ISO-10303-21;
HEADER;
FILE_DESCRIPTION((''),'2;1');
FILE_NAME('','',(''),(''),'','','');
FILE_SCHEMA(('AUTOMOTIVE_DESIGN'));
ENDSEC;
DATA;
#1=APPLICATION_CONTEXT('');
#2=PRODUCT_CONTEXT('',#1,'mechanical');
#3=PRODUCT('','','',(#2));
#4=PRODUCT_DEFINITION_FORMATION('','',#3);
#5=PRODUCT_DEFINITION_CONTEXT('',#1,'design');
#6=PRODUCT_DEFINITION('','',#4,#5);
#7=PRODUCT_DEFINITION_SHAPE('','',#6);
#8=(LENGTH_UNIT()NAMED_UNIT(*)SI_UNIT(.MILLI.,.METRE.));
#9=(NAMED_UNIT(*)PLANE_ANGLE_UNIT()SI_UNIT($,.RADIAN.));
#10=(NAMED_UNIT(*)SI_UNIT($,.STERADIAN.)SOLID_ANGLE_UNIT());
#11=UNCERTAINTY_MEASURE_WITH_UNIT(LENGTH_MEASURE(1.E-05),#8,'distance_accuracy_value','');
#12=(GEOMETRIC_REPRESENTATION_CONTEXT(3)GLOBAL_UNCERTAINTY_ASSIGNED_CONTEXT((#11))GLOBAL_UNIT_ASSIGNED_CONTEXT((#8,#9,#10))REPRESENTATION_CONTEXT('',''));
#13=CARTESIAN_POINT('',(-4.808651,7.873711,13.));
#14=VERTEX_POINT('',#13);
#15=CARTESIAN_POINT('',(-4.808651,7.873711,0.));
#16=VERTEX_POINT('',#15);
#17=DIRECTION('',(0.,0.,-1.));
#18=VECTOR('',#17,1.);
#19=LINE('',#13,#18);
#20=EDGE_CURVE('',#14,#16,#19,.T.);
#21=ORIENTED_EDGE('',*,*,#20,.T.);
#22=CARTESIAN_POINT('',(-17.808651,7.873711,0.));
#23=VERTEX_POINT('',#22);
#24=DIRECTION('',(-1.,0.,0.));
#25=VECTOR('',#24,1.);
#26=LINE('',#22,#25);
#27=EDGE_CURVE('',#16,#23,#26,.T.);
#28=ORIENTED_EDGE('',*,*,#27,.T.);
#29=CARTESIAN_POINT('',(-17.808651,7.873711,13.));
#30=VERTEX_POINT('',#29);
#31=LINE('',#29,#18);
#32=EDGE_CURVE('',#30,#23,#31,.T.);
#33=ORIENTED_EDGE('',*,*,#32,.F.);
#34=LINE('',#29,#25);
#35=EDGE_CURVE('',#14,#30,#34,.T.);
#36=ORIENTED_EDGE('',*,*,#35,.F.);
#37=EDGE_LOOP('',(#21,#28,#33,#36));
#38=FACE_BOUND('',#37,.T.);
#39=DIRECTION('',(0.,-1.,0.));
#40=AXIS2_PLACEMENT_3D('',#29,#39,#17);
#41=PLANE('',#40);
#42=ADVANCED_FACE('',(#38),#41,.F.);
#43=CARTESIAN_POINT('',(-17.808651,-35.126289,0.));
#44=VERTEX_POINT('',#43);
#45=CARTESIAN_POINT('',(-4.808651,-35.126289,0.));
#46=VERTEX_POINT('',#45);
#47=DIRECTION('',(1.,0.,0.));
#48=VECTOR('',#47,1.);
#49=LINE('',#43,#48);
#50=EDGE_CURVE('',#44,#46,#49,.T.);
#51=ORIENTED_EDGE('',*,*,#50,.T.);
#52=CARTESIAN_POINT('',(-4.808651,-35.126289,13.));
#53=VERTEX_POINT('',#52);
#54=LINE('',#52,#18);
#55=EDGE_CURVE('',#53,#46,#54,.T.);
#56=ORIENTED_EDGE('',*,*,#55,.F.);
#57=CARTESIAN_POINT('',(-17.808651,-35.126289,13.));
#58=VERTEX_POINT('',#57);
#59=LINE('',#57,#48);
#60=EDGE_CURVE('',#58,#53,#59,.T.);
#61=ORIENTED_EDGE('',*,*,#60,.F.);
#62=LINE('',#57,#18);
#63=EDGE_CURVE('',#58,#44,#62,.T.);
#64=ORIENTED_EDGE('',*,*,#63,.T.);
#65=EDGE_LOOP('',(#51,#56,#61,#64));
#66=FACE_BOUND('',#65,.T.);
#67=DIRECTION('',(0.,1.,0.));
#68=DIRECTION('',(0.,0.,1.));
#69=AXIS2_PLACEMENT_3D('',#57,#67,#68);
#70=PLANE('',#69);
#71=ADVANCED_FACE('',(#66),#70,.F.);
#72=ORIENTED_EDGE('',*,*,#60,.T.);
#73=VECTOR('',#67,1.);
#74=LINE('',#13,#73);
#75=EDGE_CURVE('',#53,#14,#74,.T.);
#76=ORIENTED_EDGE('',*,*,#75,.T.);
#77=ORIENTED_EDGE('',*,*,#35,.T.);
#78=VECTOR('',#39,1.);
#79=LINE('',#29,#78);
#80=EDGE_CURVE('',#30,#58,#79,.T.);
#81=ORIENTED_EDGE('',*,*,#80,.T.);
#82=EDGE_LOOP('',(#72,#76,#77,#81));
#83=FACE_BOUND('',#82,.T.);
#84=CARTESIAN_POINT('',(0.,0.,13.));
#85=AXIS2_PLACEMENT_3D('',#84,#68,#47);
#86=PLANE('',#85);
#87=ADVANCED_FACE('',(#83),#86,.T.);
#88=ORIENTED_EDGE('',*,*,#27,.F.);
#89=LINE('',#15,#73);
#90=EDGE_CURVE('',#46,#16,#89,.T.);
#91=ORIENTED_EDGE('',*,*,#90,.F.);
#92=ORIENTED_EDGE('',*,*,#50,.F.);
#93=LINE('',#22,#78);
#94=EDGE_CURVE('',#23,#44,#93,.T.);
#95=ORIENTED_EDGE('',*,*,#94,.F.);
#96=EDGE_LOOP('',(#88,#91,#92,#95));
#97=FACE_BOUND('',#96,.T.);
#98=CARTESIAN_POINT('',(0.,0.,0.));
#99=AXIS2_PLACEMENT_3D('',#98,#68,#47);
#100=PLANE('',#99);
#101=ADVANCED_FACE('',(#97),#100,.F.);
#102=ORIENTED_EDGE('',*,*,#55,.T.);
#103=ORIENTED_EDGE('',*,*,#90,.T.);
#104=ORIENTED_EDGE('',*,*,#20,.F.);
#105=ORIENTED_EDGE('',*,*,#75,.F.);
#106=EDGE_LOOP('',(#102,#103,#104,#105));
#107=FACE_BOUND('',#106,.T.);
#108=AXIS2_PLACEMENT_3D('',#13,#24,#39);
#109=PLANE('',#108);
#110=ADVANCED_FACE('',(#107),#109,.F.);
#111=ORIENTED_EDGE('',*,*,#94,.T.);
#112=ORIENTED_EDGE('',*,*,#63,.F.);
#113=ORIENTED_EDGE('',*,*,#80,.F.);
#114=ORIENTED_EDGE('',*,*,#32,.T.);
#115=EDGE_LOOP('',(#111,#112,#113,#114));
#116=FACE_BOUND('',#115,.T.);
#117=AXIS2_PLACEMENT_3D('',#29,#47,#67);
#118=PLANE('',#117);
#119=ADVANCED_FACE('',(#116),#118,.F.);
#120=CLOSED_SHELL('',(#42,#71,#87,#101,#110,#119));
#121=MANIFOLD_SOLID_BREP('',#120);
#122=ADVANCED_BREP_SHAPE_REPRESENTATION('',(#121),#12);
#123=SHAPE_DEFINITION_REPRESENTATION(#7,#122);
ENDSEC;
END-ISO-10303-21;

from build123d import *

# Parameters (mm, degrees)
ESQUISSE1_W        = 13
ESQUISSE1_H        = 43
BOSS_EXTRU_1_DEPTH = 13


with BuildPart() as part:
    # Esquisse1 → Boss.-Extru.1 (new body)
    with BuildSketch(Plane.XY):
        with Locations((-11.308650977, -13.62628866)):
            Rectangle(ESQUISSE1_W, ESQUISSE1_H)
    extrude(amount=BOSS_EXTRU_1_DEPTH)


solid = part.part
